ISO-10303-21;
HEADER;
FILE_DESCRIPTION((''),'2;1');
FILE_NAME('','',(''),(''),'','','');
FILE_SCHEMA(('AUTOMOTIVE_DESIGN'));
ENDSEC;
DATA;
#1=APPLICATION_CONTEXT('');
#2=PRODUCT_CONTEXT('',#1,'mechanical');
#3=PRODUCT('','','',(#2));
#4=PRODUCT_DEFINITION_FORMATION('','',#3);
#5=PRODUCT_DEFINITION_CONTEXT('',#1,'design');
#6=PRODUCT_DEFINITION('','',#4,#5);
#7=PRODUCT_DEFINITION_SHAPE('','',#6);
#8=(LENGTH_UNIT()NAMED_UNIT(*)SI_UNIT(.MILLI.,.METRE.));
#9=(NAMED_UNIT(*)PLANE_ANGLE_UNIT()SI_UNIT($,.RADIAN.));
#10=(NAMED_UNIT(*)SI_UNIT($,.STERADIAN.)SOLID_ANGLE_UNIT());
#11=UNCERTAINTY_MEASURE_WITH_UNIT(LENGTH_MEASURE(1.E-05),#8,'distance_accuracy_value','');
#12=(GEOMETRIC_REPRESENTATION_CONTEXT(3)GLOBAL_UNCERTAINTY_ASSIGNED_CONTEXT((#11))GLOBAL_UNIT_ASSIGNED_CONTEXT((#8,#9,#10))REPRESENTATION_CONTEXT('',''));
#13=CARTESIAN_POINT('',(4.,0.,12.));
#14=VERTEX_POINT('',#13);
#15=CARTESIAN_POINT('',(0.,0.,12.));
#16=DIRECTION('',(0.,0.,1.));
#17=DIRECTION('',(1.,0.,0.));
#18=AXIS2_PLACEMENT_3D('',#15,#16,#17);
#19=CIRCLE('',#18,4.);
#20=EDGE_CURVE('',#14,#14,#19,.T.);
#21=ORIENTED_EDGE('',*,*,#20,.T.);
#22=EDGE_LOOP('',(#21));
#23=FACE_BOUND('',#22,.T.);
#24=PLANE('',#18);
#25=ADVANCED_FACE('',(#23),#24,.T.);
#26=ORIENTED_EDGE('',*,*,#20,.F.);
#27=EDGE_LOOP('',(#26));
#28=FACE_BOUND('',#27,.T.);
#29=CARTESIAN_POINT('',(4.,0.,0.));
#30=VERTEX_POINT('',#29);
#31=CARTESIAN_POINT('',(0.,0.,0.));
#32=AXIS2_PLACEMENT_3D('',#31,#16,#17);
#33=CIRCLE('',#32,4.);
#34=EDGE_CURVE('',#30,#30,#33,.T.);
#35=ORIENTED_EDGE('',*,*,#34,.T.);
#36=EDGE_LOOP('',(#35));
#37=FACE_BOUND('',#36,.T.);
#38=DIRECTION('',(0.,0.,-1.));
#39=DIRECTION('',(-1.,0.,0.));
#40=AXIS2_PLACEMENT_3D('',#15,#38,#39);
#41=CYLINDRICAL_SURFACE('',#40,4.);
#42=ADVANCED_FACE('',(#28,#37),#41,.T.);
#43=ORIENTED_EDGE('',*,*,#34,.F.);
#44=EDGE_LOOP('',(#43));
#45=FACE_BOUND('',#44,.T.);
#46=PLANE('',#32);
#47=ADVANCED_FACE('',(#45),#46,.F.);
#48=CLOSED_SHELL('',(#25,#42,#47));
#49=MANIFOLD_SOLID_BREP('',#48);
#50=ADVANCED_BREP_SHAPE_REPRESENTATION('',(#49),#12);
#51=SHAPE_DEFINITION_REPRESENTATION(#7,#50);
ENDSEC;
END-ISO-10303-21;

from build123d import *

# Parameters (mm, degrees)
SKETCH_1_R      = 4
EXTRUDE_1_DEPTH = 12


with BuildPart() as part:
    # 草图1 → 凸台-拉伸1 (new body)
    with BuildSketch(Plane.XY):
        Circle(SKETCH_1_R)
    extrude(amount=EXTRUDE_1_DEPTH)


solid = part.part
